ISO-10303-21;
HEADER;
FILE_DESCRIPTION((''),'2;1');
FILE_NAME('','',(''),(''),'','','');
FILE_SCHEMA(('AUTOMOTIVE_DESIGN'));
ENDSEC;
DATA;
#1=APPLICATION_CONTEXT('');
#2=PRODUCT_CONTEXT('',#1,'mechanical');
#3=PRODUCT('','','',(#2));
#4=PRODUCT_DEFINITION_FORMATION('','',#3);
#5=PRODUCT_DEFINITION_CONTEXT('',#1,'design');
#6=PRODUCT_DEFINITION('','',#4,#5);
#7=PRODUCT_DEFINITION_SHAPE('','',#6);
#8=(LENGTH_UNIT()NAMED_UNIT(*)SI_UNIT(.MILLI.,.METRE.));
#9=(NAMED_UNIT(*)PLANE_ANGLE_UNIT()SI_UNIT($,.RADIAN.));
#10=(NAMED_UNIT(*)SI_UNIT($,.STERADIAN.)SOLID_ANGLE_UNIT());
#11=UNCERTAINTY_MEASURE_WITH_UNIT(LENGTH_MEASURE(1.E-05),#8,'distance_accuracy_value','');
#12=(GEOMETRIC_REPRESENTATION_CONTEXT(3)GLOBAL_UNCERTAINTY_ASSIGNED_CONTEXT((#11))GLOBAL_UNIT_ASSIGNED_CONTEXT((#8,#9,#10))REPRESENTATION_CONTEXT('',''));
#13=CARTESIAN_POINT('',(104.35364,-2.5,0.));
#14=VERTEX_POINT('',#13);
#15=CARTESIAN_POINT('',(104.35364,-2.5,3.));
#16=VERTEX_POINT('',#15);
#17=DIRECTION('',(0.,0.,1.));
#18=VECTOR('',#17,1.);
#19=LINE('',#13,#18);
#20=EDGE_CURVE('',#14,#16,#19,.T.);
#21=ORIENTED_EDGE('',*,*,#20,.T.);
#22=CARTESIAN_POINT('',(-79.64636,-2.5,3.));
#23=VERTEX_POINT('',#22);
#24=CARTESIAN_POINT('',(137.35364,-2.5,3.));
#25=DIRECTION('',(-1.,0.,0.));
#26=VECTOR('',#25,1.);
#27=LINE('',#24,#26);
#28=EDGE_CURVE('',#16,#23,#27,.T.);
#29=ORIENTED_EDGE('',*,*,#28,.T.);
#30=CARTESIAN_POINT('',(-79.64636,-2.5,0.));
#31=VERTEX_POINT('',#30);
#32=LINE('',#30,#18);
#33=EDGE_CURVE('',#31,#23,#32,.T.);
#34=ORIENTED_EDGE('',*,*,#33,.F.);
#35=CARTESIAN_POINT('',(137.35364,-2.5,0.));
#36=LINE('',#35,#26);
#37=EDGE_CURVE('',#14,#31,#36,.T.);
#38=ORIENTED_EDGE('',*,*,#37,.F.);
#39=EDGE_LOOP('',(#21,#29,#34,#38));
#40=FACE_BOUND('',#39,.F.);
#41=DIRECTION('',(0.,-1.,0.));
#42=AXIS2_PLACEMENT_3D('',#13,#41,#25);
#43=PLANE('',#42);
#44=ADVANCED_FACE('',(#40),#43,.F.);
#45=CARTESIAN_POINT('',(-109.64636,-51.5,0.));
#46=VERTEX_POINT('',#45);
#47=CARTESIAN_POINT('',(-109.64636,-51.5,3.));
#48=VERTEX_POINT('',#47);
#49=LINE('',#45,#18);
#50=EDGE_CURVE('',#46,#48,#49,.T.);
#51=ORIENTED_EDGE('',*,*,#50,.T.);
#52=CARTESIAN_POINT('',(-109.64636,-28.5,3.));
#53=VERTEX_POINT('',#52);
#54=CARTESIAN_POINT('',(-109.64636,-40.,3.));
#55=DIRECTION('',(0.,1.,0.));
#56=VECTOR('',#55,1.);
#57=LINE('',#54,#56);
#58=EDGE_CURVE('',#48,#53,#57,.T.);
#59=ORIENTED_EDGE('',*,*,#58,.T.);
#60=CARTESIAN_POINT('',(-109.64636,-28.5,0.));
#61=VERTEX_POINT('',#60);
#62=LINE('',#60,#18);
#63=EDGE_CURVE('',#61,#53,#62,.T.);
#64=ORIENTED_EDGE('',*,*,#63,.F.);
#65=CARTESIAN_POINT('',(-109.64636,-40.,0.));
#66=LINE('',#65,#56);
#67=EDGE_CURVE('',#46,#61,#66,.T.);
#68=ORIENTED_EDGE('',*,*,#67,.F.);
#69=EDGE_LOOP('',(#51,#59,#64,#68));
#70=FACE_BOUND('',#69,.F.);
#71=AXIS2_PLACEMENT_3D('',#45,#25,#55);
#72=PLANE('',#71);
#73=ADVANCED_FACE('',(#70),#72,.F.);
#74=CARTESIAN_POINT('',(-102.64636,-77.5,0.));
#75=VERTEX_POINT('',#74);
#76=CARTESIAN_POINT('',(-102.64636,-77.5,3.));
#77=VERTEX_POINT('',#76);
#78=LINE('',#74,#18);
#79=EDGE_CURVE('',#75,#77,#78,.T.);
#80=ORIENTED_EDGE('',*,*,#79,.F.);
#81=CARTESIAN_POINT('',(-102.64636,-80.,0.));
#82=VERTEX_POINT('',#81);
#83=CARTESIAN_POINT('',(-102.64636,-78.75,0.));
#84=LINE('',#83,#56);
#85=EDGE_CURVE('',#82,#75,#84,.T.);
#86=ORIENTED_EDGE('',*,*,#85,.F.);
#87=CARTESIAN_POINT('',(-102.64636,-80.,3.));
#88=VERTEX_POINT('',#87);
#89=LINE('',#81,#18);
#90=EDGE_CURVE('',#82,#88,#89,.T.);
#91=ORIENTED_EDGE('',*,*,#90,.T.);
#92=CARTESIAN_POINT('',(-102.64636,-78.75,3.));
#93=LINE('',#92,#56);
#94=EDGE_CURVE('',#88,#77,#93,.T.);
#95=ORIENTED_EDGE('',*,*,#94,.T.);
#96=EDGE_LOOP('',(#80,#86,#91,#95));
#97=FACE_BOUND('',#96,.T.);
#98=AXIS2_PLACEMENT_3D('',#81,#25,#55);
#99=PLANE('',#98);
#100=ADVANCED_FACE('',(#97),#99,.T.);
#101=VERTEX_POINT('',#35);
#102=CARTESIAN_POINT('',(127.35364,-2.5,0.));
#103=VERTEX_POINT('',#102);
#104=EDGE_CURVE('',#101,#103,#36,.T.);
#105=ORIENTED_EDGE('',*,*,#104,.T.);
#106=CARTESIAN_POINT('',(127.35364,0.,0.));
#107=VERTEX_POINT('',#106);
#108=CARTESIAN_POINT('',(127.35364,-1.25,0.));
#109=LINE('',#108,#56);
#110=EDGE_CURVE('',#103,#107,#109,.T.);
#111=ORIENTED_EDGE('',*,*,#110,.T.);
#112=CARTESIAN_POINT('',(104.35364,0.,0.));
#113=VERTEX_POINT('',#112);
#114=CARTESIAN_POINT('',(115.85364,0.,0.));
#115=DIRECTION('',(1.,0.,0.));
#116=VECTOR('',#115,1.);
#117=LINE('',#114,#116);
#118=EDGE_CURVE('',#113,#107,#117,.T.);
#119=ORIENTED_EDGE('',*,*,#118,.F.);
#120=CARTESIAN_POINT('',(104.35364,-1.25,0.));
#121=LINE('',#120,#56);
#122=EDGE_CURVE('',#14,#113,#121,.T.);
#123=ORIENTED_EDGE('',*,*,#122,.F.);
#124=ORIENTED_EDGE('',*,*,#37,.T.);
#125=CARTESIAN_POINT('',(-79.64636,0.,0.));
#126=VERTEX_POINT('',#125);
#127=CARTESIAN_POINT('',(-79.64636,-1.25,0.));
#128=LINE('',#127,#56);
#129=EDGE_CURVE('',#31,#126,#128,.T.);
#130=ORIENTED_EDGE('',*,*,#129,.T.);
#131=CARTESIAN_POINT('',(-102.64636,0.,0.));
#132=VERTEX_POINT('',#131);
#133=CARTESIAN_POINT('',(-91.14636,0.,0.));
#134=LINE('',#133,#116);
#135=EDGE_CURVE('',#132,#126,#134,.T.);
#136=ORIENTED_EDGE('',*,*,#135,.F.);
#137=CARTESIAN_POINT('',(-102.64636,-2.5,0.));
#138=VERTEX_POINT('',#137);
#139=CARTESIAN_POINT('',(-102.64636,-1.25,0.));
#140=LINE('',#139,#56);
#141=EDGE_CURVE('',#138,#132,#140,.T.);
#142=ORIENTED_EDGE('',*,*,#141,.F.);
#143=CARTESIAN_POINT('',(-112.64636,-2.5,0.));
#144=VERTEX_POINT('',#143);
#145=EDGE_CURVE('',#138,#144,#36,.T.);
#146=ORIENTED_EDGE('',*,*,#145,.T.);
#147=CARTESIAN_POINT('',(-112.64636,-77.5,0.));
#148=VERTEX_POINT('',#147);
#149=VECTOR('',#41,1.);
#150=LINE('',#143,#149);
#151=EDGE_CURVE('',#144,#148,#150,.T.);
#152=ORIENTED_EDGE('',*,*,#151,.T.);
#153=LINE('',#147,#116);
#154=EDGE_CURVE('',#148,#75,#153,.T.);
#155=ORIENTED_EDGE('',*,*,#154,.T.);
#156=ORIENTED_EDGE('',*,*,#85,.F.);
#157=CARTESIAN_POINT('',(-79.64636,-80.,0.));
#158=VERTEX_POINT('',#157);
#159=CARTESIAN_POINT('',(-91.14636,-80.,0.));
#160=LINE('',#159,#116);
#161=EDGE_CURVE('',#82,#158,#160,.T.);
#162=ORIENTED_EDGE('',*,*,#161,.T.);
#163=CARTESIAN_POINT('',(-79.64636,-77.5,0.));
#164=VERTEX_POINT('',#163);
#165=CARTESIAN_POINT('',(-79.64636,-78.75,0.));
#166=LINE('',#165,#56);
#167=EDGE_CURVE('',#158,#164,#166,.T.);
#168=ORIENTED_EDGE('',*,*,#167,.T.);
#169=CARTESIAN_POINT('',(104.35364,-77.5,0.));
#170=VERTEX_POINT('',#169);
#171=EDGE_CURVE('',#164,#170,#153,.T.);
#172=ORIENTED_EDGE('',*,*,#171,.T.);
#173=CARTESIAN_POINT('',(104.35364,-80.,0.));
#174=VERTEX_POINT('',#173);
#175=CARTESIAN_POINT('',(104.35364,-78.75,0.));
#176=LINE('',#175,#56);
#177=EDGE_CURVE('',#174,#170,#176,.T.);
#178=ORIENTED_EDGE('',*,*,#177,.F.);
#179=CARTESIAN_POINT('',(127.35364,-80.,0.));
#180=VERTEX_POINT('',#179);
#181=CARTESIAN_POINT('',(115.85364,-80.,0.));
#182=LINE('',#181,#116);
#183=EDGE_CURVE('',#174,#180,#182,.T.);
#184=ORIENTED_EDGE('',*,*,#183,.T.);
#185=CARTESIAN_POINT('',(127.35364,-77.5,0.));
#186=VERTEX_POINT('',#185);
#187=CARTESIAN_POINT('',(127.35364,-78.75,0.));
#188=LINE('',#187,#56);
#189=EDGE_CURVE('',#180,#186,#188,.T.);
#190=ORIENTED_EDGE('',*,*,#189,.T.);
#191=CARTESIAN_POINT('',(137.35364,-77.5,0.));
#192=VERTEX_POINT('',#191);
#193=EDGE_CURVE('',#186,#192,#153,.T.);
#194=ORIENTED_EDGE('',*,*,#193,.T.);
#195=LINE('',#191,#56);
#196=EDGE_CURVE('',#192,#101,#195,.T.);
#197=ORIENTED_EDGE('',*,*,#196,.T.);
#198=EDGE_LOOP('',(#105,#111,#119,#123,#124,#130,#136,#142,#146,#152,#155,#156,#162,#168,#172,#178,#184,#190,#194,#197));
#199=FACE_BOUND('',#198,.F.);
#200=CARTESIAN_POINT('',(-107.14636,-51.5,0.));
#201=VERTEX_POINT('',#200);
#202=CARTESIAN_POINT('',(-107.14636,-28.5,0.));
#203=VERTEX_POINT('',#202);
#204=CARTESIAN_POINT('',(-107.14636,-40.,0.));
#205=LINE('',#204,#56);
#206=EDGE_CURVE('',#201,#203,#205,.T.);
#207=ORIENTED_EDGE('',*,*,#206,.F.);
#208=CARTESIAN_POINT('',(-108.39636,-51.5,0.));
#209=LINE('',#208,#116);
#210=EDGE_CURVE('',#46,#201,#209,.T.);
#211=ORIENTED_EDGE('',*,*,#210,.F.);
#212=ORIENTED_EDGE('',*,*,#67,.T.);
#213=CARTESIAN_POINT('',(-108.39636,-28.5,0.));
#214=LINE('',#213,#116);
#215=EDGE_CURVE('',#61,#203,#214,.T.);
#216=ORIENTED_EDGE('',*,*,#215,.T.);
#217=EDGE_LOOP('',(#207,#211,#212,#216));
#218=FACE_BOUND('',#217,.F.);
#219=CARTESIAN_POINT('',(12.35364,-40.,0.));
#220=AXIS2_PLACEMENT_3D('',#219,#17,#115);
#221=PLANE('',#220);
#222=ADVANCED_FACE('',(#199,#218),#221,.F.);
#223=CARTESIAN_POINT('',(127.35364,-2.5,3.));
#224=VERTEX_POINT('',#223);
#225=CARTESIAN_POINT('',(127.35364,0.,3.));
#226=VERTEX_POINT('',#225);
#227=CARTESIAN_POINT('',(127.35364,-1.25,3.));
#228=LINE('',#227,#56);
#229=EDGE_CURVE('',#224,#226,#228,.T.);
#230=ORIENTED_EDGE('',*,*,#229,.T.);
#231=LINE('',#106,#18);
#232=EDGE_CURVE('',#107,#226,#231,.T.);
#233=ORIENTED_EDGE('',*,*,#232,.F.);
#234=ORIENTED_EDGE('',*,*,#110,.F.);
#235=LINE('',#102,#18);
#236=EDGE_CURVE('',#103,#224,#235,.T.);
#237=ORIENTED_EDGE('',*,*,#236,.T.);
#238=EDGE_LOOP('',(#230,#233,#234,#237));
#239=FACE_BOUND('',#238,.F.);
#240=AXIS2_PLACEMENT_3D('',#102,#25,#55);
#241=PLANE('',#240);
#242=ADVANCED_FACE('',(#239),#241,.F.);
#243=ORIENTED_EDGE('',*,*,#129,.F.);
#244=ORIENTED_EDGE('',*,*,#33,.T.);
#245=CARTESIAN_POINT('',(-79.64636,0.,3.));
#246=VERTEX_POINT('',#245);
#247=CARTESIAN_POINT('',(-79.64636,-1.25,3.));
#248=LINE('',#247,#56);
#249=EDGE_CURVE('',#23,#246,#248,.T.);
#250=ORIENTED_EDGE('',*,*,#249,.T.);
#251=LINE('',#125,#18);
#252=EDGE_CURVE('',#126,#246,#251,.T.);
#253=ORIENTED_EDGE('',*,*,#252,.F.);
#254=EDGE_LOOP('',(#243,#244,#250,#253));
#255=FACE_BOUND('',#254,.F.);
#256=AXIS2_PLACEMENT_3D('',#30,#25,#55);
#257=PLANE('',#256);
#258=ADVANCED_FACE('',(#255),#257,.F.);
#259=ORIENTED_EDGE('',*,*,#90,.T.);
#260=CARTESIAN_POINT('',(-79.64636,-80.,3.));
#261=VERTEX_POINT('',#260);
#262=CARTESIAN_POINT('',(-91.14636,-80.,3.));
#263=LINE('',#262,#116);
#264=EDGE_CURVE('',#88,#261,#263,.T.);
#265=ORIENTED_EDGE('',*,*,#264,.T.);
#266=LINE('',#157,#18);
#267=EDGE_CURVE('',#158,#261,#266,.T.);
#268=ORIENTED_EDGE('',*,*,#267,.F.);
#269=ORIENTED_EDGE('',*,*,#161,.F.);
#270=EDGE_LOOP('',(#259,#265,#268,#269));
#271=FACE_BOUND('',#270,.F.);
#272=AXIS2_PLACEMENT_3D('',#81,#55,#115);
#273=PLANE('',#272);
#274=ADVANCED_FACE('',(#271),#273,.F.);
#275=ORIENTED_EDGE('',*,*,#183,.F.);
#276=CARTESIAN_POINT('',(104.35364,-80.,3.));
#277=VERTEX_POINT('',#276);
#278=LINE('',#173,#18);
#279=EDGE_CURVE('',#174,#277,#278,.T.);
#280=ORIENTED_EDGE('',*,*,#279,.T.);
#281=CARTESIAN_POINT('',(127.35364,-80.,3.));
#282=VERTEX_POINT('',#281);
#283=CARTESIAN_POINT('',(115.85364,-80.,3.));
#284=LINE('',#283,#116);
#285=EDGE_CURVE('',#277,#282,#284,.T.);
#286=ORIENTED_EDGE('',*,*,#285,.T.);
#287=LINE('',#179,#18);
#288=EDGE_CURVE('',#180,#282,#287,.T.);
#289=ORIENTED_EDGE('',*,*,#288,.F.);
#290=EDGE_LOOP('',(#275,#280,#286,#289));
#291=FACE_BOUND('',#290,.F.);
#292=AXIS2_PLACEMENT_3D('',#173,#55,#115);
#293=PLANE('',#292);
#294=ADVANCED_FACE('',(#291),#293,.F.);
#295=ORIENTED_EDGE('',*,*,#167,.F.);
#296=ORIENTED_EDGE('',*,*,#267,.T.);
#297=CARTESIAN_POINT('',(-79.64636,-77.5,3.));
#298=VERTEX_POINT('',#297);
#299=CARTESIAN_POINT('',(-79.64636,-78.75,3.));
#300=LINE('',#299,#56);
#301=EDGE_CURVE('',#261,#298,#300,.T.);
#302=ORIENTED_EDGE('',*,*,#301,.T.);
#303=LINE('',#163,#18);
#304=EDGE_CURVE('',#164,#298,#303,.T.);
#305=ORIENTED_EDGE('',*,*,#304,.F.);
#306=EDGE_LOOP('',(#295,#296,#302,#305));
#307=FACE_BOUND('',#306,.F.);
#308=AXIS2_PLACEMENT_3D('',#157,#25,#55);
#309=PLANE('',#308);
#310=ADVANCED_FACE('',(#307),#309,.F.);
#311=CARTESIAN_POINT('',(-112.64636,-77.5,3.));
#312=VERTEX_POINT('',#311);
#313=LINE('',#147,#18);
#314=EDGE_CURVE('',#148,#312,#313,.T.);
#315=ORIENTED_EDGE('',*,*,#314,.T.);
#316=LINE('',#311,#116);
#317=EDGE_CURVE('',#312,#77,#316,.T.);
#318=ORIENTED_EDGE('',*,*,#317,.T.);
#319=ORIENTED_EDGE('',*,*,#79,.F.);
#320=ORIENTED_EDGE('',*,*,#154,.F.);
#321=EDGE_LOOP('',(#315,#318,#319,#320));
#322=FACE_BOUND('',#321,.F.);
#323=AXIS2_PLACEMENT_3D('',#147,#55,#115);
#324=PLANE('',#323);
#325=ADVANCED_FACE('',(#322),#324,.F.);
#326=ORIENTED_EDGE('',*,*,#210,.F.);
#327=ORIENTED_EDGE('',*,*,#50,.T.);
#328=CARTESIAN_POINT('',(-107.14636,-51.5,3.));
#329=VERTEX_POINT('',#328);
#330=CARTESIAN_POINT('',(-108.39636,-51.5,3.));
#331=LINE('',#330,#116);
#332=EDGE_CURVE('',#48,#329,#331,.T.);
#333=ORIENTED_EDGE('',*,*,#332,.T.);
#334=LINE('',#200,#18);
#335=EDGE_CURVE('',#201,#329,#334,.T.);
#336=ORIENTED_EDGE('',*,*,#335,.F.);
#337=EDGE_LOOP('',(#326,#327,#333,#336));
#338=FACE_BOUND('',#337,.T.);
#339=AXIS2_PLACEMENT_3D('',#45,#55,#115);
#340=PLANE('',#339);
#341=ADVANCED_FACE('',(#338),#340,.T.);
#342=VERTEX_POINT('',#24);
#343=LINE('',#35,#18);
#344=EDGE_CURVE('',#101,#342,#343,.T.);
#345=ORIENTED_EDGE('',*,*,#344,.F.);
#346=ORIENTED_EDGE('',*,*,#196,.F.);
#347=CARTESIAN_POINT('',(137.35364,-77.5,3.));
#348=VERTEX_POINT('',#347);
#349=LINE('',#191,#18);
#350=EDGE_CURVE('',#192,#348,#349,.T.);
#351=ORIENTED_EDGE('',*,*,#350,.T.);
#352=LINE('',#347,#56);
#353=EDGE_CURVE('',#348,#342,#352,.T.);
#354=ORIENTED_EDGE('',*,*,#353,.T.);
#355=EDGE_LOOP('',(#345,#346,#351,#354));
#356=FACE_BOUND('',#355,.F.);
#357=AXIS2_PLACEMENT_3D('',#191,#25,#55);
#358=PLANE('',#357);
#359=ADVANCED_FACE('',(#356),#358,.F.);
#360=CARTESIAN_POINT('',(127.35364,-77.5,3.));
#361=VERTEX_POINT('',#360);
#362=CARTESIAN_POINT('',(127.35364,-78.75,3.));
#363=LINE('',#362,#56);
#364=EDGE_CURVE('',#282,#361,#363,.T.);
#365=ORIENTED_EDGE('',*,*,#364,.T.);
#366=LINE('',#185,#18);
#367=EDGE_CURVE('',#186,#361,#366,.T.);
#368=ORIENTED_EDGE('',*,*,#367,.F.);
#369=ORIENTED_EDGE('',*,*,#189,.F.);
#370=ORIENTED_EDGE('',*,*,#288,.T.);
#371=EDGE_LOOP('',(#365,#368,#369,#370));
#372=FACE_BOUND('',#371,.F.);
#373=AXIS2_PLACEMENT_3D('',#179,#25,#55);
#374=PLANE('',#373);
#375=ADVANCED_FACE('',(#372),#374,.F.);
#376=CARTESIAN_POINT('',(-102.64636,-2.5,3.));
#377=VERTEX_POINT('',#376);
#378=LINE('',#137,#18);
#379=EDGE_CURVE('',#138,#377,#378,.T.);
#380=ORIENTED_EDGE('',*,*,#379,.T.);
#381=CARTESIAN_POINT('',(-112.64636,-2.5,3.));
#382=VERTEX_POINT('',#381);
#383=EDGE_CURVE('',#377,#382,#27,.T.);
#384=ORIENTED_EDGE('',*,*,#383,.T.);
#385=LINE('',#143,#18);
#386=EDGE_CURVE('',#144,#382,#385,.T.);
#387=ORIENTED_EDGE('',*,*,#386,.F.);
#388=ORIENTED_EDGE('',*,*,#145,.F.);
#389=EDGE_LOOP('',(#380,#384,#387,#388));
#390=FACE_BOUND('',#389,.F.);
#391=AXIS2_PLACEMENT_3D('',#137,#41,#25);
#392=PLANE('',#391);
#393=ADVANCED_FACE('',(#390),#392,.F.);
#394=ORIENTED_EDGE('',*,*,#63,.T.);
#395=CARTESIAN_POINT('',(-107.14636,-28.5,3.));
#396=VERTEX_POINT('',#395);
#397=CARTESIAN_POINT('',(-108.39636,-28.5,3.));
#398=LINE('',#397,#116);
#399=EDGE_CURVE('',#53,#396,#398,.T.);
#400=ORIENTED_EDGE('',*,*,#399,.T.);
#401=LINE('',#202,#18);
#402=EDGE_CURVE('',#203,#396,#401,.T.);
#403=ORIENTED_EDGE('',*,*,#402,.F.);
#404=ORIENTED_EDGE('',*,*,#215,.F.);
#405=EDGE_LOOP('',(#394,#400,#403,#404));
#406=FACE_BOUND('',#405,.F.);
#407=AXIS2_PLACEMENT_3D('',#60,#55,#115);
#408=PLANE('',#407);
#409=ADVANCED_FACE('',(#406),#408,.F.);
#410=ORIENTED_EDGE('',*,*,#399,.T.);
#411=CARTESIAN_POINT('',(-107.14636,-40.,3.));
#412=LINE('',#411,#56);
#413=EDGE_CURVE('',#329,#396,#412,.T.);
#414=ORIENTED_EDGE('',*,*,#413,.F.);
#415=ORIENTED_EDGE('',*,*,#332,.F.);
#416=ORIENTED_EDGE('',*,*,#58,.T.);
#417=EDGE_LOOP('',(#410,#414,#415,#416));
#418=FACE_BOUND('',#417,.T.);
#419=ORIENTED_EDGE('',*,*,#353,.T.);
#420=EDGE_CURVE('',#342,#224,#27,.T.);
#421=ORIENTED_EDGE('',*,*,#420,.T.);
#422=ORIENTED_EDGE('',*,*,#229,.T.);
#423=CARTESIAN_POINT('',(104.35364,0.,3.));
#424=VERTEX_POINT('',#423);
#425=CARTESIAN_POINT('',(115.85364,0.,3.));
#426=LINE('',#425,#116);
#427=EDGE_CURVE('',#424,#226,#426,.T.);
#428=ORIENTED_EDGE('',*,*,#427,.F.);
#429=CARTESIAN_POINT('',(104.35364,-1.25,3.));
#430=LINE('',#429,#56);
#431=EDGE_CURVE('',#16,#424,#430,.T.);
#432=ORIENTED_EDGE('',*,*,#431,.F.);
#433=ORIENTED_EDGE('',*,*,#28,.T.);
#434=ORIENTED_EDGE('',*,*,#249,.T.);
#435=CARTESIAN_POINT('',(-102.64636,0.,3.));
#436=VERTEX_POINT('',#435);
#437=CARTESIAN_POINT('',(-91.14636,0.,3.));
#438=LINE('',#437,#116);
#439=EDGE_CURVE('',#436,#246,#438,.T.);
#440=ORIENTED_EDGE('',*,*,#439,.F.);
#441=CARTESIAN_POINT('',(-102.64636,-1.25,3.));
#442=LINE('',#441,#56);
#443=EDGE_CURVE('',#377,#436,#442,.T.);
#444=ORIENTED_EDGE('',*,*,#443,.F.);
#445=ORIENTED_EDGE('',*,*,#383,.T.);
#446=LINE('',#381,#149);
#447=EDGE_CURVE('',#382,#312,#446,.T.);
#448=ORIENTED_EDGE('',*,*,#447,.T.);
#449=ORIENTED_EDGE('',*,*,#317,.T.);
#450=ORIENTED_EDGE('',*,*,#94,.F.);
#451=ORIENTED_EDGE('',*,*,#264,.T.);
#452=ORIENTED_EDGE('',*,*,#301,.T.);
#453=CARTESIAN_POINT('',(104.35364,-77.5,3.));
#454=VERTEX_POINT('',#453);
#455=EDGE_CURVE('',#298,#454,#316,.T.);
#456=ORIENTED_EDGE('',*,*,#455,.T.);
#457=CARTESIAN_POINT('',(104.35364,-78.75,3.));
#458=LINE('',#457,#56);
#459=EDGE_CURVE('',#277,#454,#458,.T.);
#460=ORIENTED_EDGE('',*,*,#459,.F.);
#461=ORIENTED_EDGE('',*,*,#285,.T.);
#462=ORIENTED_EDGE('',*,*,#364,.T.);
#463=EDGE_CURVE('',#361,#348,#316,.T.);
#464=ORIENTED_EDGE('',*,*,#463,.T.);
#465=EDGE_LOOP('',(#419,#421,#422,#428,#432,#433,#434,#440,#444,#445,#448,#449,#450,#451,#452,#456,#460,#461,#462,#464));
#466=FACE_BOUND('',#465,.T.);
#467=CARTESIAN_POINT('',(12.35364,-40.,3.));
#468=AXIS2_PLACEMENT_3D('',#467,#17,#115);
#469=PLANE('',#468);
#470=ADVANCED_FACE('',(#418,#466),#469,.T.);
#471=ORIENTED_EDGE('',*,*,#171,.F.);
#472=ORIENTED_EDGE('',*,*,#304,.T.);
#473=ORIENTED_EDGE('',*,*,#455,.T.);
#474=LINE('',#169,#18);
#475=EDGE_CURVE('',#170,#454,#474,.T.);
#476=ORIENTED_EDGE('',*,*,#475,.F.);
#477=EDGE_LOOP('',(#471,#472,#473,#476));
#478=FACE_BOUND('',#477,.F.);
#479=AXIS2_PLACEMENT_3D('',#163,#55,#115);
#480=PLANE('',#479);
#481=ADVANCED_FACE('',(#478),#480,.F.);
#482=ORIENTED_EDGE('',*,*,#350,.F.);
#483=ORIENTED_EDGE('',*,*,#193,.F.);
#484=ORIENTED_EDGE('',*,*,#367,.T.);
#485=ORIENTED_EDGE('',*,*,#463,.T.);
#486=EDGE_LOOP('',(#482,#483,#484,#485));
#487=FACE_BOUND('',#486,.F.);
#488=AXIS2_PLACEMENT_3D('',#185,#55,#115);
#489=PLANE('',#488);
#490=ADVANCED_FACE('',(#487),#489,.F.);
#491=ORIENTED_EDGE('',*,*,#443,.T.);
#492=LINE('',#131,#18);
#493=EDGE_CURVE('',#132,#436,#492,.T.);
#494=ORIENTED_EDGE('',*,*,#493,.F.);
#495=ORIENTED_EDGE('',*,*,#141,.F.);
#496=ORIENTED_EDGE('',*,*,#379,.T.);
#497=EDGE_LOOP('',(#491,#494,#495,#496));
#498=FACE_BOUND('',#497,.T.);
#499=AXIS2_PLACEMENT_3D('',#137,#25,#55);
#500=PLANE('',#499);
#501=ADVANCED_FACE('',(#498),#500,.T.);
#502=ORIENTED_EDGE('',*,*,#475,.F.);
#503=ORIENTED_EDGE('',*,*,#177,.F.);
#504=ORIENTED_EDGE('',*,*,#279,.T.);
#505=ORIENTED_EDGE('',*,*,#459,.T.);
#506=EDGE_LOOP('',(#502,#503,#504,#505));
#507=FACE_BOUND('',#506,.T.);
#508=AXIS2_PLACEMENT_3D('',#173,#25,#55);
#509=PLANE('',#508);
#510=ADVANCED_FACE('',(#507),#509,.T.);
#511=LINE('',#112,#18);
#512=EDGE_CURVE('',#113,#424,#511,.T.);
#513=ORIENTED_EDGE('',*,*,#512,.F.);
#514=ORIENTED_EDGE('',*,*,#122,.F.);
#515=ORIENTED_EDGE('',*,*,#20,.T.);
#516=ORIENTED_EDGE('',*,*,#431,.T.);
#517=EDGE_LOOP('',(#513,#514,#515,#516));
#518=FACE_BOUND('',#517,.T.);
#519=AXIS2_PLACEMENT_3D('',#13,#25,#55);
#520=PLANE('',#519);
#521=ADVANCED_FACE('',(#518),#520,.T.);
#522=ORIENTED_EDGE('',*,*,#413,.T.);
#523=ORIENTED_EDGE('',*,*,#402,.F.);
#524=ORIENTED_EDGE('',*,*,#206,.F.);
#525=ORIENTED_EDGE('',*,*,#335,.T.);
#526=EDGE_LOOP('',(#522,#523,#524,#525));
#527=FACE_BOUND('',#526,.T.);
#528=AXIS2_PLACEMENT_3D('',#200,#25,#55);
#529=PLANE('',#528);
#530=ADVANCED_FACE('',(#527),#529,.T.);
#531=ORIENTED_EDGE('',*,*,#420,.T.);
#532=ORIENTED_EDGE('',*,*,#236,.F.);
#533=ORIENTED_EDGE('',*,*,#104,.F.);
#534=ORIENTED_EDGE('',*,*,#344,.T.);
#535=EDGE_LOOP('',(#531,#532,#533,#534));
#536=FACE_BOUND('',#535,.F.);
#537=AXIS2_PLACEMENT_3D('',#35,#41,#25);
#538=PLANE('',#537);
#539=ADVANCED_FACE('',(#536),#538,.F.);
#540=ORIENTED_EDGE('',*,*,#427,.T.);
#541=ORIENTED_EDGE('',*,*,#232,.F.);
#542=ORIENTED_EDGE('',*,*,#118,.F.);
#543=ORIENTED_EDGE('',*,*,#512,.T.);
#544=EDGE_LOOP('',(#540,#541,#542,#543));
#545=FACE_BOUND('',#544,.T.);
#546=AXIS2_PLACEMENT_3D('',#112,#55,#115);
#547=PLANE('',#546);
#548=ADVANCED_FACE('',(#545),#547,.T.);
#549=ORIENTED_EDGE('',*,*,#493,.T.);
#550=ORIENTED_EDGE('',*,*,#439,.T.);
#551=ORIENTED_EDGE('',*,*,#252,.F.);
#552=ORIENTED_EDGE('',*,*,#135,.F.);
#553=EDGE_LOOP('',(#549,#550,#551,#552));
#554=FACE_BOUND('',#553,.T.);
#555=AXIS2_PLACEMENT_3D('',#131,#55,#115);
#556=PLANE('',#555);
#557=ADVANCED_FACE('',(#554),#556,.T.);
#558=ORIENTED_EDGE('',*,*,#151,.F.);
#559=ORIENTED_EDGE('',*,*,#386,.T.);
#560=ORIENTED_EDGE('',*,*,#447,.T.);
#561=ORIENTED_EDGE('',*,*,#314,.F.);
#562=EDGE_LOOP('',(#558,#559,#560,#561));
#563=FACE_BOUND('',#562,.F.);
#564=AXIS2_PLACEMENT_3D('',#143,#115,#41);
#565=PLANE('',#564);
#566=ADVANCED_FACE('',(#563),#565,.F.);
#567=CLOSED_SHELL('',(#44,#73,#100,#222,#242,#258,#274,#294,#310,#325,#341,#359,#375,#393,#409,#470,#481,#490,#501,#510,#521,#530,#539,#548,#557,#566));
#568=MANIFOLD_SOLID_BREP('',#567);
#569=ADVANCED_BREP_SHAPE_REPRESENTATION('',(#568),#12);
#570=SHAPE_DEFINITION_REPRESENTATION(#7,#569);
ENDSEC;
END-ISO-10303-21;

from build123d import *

# Parameters (mm, degrees)
F0_W     = 2.5
F0_H     = 23
F0_W_2   = 23
F0_H_2   = 2.5
F1_DEPTH = 3


with BuildPart() as f1:
    # F0 (on Top) → F1 (new body)
    with BuildSketch(Plane.XY):
        Polygon((-112.64636, -2.5), (-112.64636, -77.5), (-102.64636, -77.5), (-79.64636, -77.5), (104.35364, -77.5), (127.35364, -77.5), (137.35364, -77.5), (137.35364, -2.5), (127.35364, -2.5), (104.35364, -2.5), (-79.64636, -2.5), (-102.64636, -2.5), align=None)
        with Locations((-108.39636, -40)):
            Rectangle(F0_W, F0_H, mode=Mode.SUBTRACT)
        with Locations((-91.14636, -78.75)):
            Rectangle(F0_W_2, F0_H_2)
        with Locations((-91.14636, -1.25)):
            Rectangle(F0_W_2, F0_H_2)
        with Locations((115.85364, -78.75)):
            Rectangle(F0_W_2, F0_H_2)
        with Locations((115.85364, -1.25)):
            Rectangle(F0_W_2, F0_H_2)
    extrude(amount=F1_DEPTH)


solid = f1.part
